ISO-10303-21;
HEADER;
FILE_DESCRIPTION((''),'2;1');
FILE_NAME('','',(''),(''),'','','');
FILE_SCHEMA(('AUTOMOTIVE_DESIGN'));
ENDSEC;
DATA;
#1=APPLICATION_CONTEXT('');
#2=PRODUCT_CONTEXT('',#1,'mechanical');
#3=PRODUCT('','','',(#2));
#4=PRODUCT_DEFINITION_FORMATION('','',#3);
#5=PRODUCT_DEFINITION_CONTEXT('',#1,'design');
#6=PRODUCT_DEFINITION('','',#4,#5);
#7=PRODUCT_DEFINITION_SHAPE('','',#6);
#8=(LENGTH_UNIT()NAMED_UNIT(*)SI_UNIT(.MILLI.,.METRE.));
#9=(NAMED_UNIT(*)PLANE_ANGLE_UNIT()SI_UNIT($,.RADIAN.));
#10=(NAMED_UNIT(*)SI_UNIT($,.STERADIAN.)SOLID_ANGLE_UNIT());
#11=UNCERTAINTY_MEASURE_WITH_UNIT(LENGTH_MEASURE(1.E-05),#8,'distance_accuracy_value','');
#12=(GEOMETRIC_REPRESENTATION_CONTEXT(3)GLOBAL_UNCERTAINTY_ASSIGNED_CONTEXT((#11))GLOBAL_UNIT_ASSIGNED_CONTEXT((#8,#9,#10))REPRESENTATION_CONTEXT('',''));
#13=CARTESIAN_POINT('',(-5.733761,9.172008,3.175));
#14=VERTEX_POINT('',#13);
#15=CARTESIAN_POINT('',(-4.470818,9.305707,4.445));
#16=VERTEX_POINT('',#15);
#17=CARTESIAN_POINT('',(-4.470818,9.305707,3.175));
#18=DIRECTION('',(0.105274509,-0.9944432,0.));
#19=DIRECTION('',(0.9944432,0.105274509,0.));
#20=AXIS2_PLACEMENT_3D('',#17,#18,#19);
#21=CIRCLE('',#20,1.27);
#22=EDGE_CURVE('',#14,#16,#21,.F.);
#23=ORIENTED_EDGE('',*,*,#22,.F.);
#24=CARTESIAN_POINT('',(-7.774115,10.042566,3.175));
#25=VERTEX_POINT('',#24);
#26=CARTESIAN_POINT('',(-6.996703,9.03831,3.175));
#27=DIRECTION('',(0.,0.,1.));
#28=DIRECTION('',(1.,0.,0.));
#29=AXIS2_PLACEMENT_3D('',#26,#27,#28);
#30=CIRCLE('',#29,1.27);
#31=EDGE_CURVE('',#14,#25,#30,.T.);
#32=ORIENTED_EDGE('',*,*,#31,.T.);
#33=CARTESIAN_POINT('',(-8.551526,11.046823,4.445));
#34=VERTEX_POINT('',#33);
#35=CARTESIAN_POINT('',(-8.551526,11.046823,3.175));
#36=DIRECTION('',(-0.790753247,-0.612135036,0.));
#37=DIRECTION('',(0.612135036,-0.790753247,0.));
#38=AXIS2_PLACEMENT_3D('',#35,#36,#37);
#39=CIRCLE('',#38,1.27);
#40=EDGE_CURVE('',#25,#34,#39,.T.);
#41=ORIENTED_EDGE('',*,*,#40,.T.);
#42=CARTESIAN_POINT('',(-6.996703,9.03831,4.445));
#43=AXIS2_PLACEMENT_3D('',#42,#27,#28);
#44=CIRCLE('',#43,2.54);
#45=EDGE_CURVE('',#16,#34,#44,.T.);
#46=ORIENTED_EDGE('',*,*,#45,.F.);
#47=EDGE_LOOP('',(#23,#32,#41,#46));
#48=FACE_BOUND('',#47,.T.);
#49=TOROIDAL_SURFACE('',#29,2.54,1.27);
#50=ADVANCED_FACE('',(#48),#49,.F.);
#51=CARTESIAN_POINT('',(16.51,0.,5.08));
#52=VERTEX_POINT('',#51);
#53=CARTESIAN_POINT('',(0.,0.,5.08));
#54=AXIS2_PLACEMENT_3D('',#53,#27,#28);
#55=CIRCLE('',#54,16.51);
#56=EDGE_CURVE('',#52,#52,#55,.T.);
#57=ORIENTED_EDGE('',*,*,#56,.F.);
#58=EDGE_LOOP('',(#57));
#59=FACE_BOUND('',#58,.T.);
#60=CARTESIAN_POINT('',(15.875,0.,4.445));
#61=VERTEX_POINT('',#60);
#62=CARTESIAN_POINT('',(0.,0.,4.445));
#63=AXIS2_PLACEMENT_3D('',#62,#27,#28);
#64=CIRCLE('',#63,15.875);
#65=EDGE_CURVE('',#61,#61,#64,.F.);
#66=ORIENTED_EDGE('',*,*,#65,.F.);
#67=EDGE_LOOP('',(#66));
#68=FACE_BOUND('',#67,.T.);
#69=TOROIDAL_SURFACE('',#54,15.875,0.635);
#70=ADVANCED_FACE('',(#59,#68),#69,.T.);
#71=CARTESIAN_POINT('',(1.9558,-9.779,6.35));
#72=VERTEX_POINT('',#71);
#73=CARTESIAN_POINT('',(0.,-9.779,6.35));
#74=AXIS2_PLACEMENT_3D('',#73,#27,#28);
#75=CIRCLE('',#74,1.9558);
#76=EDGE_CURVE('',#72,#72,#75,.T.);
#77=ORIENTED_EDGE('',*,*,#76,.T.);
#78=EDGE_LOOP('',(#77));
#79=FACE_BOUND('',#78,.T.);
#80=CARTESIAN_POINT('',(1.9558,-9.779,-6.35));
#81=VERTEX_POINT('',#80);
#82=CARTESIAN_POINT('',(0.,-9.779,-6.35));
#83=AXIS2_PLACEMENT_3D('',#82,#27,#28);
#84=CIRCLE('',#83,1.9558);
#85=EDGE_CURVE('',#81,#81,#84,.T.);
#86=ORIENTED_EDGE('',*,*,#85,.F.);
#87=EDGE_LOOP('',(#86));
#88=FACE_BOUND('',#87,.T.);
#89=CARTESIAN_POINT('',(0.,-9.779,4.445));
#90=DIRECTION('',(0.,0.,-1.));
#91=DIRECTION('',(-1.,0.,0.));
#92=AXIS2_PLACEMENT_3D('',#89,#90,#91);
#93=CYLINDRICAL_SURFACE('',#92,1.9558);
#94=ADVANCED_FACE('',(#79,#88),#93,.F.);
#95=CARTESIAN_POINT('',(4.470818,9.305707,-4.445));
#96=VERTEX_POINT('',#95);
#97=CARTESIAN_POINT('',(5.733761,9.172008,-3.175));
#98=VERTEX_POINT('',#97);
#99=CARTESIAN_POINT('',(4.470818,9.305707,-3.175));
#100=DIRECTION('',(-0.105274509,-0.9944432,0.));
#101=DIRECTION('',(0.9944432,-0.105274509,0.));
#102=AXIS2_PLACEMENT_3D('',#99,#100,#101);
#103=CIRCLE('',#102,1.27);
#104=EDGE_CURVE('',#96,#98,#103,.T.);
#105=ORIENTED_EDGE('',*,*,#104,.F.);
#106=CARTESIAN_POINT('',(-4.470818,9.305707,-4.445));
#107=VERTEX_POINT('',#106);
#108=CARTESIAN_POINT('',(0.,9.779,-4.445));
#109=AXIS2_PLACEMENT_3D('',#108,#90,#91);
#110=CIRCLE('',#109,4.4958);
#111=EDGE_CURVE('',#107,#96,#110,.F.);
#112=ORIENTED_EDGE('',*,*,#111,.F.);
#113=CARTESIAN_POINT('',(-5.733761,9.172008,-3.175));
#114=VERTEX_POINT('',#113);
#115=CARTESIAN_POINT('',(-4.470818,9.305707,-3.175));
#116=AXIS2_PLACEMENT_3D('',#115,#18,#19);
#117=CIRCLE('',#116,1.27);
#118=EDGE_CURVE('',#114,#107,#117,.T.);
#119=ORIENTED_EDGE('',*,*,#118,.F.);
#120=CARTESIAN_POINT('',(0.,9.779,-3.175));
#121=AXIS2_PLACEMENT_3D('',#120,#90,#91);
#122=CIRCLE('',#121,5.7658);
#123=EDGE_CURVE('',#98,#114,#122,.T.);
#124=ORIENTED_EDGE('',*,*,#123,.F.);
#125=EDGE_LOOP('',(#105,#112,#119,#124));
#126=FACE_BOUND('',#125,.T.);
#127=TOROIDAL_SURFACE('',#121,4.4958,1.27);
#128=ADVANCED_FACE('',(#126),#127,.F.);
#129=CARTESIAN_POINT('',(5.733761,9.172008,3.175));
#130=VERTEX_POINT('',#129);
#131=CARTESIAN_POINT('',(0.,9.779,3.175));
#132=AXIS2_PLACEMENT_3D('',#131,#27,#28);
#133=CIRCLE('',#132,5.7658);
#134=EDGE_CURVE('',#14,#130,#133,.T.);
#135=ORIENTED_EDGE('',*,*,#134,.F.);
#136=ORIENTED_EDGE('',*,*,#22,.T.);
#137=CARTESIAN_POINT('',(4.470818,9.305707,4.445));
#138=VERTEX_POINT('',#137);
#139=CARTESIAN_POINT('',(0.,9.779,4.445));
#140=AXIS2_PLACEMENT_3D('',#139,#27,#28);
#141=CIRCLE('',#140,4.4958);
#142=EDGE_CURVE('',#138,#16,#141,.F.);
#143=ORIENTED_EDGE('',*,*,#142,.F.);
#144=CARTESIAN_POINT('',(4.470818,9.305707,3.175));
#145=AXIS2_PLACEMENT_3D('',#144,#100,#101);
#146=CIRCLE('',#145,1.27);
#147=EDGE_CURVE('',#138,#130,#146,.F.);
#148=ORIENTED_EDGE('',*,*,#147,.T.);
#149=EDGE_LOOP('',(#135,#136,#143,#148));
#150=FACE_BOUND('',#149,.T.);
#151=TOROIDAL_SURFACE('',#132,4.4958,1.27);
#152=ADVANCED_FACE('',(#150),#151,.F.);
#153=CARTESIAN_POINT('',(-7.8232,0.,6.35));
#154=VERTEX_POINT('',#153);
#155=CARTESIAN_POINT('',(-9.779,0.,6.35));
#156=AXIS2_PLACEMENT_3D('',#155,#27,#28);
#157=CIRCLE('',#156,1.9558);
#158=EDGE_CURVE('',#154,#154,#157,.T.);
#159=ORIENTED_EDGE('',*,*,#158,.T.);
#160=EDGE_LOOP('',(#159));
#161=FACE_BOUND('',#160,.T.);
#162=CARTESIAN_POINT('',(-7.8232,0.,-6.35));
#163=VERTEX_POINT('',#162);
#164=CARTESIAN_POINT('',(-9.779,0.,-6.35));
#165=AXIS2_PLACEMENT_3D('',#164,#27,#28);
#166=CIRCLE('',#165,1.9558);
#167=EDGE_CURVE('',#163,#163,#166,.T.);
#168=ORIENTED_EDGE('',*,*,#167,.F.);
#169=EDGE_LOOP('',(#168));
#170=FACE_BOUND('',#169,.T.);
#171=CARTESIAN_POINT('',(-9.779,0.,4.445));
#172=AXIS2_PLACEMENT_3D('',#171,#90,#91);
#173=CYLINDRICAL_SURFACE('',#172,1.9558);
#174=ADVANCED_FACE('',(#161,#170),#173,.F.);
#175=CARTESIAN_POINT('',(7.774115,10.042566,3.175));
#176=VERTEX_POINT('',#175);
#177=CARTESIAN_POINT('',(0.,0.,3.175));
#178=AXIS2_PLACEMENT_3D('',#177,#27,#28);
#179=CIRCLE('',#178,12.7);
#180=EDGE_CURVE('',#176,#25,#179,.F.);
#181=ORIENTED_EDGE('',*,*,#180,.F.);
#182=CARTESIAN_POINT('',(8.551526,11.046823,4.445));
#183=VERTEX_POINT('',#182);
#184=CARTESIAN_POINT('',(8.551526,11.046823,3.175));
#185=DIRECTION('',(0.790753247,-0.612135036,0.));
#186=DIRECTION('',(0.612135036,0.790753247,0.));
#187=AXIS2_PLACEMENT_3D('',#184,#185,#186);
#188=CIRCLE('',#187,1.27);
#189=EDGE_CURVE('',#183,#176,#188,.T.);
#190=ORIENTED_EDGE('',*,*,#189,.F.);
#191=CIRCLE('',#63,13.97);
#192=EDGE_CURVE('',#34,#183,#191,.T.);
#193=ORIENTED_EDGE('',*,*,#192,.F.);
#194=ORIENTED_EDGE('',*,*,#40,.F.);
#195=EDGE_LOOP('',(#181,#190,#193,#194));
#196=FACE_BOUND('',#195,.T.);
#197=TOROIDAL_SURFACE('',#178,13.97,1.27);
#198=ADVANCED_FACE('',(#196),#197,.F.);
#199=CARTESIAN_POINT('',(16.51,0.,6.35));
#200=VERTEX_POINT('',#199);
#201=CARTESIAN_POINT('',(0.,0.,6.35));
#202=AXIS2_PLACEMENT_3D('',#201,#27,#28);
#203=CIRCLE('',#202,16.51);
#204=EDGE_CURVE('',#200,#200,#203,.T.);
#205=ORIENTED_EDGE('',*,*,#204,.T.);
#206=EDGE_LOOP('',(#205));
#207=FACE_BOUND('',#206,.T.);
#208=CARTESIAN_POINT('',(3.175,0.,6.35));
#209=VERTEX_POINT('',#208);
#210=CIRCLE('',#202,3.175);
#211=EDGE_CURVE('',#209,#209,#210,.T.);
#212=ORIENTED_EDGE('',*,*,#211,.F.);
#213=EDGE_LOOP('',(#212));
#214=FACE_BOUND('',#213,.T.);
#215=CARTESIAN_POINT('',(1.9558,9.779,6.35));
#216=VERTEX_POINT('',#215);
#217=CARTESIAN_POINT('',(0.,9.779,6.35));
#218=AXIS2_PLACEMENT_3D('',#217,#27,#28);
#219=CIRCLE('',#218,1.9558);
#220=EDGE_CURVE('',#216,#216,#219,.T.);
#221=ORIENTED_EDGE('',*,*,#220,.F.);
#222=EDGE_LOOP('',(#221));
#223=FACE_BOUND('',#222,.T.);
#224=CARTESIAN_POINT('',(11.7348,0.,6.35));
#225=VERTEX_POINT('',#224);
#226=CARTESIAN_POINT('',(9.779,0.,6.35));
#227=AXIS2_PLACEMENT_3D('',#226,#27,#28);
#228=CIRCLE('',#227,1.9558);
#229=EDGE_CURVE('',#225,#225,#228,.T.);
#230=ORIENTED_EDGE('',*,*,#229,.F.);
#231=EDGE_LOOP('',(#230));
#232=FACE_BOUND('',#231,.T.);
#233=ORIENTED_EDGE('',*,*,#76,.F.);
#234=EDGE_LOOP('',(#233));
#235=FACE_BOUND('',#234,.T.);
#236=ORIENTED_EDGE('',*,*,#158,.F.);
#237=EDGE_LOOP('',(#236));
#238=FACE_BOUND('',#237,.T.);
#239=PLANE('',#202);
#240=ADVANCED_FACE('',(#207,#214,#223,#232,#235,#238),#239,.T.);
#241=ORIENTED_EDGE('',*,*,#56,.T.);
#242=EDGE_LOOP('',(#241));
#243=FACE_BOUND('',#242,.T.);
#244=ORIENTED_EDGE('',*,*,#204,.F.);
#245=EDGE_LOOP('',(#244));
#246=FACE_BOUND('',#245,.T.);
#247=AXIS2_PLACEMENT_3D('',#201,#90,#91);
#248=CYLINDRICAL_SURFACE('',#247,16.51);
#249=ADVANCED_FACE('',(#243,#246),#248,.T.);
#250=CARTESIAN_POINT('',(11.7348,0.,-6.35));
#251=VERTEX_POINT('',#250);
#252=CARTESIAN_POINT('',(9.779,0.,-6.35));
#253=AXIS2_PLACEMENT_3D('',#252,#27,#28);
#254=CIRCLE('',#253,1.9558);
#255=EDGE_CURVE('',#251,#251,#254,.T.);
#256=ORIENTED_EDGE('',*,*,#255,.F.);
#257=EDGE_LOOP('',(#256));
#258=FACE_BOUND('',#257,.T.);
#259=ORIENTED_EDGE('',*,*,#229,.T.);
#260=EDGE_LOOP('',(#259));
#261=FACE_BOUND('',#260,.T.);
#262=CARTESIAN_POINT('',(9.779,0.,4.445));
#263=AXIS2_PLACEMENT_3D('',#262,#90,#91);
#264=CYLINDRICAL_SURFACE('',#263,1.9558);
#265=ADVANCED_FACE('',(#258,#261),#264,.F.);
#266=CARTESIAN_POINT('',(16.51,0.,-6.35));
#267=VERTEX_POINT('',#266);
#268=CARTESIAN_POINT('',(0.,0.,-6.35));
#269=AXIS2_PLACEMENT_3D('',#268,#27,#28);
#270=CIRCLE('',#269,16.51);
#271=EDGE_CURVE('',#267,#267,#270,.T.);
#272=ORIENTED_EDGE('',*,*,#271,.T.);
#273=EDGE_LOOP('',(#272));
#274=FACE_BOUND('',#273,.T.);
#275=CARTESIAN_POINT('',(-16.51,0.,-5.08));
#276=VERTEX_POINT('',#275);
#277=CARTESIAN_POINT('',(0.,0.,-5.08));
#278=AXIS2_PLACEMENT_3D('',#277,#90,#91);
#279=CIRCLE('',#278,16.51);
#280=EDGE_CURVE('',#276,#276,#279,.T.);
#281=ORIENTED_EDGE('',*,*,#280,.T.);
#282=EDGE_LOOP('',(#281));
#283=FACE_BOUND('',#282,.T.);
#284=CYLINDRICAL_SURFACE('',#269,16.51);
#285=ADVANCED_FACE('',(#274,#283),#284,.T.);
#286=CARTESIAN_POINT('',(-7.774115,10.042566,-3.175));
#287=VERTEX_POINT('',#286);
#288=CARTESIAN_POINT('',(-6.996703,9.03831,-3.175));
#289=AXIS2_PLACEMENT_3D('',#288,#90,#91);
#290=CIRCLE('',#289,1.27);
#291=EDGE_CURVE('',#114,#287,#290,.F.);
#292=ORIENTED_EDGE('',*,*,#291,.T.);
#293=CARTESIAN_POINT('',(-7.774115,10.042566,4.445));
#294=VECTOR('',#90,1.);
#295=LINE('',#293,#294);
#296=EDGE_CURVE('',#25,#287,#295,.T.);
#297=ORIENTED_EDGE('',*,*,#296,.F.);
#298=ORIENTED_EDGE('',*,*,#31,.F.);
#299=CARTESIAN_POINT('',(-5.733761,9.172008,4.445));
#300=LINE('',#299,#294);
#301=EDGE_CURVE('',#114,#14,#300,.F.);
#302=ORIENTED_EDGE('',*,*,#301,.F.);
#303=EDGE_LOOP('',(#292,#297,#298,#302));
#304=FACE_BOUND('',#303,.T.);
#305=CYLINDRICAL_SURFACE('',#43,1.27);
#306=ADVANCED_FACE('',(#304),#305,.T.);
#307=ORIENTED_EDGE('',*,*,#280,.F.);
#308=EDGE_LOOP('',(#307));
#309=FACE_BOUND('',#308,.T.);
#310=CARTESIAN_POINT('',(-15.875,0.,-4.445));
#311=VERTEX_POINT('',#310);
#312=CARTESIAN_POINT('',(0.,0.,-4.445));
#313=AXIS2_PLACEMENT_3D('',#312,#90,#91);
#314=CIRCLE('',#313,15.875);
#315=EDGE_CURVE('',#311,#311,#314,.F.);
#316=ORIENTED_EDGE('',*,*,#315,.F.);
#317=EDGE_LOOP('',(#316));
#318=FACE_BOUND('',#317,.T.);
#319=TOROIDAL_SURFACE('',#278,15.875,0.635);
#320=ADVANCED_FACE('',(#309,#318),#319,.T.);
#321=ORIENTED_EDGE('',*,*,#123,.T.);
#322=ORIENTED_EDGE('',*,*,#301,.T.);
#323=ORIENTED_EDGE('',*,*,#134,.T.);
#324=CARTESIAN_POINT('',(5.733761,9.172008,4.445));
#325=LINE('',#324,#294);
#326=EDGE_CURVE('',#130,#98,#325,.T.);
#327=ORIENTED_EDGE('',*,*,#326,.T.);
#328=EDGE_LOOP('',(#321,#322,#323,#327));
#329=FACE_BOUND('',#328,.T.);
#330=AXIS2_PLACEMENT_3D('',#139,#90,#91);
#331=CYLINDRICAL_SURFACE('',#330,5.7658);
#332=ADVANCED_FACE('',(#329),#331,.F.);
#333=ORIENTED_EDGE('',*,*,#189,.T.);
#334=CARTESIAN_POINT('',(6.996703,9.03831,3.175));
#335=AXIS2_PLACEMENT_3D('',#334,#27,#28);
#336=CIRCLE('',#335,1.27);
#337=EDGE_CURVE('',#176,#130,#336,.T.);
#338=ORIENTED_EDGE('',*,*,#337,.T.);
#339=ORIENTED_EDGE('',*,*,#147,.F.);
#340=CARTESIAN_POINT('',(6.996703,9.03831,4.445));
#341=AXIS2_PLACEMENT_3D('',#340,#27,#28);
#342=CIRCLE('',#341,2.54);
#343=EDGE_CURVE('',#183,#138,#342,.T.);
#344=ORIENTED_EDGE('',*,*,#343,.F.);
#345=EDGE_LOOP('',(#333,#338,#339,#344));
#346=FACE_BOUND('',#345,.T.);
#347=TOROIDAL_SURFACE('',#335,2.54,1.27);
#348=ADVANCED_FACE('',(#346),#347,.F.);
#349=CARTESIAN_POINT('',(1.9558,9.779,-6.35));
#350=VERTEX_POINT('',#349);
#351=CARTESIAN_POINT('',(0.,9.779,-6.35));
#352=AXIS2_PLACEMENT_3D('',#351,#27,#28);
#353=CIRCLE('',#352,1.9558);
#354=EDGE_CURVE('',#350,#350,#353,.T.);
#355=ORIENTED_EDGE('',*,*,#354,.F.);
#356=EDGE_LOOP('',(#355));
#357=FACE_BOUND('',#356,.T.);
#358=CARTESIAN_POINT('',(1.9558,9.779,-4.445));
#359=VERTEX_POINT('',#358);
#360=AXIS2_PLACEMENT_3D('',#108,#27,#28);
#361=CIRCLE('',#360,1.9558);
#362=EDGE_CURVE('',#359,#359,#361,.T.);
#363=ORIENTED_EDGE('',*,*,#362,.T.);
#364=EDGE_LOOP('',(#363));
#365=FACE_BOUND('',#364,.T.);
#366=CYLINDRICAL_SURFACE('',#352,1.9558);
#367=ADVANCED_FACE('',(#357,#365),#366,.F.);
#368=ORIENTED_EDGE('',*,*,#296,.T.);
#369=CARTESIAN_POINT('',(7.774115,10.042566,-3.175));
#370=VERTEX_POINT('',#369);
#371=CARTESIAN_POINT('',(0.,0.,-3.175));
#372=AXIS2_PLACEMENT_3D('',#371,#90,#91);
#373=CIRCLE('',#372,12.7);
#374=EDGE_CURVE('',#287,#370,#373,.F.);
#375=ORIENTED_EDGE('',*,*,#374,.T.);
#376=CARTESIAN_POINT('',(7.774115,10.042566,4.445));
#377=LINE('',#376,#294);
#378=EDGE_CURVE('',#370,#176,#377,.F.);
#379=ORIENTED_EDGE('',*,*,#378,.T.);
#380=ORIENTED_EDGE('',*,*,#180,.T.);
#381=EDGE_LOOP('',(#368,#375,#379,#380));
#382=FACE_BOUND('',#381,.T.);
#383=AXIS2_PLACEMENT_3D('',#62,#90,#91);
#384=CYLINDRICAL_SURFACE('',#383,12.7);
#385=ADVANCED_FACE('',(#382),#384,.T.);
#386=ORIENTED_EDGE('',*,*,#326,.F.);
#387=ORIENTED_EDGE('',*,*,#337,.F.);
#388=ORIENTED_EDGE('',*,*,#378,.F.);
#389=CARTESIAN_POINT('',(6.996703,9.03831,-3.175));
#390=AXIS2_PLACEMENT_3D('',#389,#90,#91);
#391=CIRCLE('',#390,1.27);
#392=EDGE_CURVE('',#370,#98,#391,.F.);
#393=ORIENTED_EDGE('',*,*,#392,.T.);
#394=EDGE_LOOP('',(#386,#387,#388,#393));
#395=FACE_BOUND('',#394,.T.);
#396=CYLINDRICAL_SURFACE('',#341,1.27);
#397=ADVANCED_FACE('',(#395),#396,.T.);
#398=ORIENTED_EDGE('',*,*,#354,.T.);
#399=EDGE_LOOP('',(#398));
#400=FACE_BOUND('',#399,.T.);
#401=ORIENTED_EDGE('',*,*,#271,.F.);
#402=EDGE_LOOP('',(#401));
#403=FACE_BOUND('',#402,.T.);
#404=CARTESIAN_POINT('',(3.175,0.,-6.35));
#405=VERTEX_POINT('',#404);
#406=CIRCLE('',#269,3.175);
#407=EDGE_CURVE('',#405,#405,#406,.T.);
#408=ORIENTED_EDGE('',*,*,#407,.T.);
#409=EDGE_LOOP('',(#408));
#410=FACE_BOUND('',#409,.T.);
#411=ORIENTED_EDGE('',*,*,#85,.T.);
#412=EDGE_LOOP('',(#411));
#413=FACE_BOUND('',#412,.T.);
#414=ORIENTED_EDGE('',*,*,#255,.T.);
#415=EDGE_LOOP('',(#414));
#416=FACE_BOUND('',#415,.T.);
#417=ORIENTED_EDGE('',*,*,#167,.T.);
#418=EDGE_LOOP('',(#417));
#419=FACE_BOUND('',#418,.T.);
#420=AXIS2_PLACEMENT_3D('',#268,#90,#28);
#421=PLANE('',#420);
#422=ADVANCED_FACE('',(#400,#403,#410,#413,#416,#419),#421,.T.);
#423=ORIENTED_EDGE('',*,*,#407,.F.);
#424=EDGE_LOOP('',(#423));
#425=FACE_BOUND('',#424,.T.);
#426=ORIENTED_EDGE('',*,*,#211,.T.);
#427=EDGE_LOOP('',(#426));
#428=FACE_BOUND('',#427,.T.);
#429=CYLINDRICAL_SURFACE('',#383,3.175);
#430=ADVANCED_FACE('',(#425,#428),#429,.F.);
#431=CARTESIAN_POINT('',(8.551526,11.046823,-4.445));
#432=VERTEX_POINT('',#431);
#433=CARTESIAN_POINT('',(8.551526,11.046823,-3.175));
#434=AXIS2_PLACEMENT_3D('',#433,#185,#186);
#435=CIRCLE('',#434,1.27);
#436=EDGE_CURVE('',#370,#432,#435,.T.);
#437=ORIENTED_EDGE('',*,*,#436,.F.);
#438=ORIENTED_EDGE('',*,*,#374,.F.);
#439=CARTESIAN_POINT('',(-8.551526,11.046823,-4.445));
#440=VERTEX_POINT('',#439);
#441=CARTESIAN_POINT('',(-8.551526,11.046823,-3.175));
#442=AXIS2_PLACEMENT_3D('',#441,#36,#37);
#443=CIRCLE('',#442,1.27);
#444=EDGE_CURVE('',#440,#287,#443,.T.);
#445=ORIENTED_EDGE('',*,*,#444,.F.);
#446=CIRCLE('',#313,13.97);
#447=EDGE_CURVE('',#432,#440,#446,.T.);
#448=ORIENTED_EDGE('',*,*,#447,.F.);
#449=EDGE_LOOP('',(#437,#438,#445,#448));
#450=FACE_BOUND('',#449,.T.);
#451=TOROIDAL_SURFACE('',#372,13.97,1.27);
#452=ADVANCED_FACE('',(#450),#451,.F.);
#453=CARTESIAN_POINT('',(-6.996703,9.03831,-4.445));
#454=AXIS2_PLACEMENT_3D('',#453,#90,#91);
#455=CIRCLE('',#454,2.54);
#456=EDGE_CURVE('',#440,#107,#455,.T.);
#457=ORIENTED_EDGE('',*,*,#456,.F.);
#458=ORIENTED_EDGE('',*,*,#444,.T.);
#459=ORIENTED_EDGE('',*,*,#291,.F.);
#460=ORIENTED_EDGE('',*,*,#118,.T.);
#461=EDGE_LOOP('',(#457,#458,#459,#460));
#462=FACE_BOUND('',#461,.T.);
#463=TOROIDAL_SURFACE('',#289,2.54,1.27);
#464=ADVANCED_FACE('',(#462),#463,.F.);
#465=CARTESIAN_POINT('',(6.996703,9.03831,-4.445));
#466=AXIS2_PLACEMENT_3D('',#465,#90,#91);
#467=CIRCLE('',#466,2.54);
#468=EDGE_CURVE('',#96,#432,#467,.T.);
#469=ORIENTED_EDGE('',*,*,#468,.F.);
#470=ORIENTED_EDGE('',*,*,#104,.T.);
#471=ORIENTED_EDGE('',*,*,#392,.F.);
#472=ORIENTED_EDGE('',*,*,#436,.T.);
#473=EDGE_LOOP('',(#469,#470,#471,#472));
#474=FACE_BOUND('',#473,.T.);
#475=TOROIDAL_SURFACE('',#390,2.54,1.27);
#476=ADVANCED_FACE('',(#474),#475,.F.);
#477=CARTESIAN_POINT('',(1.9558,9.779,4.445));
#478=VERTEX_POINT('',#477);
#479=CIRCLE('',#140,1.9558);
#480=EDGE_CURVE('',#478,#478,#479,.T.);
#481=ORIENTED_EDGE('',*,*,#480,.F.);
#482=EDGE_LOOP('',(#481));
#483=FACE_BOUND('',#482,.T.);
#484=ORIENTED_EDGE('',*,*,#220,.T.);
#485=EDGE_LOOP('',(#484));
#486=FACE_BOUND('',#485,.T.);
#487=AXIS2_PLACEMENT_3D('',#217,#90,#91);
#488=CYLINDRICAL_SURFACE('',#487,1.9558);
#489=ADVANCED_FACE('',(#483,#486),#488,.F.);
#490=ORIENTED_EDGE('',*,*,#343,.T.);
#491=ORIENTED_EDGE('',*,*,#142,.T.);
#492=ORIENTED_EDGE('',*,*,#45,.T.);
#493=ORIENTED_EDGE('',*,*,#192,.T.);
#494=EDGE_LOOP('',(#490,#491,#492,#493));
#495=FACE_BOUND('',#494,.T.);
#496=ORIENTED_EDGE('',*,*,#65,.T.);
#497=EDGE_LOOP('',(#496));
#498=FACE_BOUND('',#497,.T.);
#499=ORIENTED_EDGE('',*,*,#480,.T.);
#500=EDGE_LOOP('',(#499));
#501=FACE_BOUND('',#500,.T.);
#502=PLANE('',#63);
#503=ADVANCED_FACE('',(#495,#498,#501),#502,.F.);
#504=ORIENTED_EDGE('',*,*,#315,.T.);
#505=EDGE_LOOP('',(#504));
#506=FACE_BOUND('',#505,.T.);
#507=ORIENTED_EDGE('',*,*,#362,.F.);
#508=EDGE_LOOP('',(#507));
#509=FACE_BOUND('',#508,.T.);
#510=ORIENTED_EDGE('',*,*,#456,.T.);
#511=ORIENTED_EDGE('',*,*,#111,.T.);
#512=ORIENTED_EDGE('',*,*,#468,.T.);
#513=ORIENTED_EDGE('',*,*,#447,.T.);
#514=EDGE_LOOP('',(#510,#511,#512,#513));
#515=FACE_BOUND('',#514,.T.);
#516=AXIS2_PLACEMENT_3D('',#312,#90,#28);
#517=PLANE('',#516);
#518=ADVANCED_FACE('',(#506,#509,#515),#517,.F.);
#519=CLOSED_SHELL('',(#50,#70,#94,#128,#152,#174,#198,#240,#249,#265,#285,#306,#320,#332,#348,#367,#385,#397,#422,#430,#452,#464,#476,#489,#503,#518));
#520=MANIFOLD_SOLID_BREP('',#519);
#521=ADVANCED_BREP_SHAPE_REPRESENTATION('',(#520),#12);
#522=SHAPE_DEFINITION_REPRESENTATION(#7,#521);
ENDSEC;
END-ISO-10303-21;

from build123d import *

# Parameters (mm, degrees)
SKETCH2_R           = 1.9558
SKETCH2_R_2         = 3.175
BOSS_EXTRUDE3_DEPTH = 4.445
SKETCH3_R           = 16.51
SKETCH3_R_2         = 1.9558
SKETCH3_R_3         = 3.175
BOSS_EXTRUDE4_DEPTH = 1.905
FILLET1_R           = 1.27
FILLET3_R           = 0.635


with BuildPart() as part:
    # Sketch2 → Boss-Extrude3 (new body, symmetric)
    with BuildSketch(Plane.XY):
        with BuildLine():
            ThreePointArc((-5.522432246, 11.436465455), (-6.751115111, -10.756971914), (12.7, 0))
            ThreePointArc((12.7, 0), (10.756971914, 6.751115111), (5.522432246, 11.436465455))
            ThreePointArc((5.522432246, 11.436465455), (0, 4.0132), (-5.522432246, 11.436465455))
        make_face()
        with Locations((0, -9.779)):
            Circle(SKETCH2_R, mode=Mode.SUBTRACT)
        with Locations((-9.779, 0)):
            Circle(SKETCH2_R, mode=Mode.SUBTRACT)
        Circle(SKETCH2_R_2, mode=Mode.SUBTRACT)
        with Locations((9.779, 0)):
            Circle(SKETCH2_R, mode=Mode.SUBTRACT)
    extrude(amount=BOSS_EXTRUDE3_DEPTH, both=True)

    # Sketch3 → Boss-Extrude4 (add)
    with BuildSketch(Plane.XY.offset(4.445)):
        Circle(SKETCH3_R)
        with Locations((0, -9.779)):
            Circle(SKETCH3_R_2, mode=Mode.SUBTRACT)
        with Locations((9.779, 0)):
            Circle(SKETCH3_R_2, mode=Mode.SUBTRACT)
        Circle(SKETCH3_R_3, mode=Mode.SUBTRACT)
        with Locations((-9.779, 0)):
            Circle(SKETCH3_R_2, mode=Mode.SUBTRACT)
        with Locations((0, 9.779)):
            Circle(SKETCH3_R_2, mode=Mode.SUBTRACT)
    boss_extrude4 = extrude(amount=BOSS_EXTRUDE4_DEPTH)

    # Mirror1: Boss-Extrude4 across plane
    add(boss_extrude4.mirror(Plane.XY))

    # Fillet1
    fillet1_edges = [part.edges().sort_by_distance(p)[0] for p in [
        (-6.751115111, -10.756971914, -4.445),
        (0, 4.0132, -4.445),
        (5.522432246, 11.436465455, -2.2225),
        (-5.522432246, 11.436465455, -2.2225),
        (0, 4.0132, 4.445),
        (-6.751115111, -10.756971914, 4.445),
    ]]
    fillet(fillet1_edges, radius=FILLET1_R)

    # Fillet3
    fillet3_edges = [part.edges().sort_by_distance(p)[0] for p in [
        (-16.51, 0, 4.445),
        (-16.51, 0, -4.445),
    ]]
    fillet(fillet3_edges, radius=FILLET3_R)


solid = part.part
